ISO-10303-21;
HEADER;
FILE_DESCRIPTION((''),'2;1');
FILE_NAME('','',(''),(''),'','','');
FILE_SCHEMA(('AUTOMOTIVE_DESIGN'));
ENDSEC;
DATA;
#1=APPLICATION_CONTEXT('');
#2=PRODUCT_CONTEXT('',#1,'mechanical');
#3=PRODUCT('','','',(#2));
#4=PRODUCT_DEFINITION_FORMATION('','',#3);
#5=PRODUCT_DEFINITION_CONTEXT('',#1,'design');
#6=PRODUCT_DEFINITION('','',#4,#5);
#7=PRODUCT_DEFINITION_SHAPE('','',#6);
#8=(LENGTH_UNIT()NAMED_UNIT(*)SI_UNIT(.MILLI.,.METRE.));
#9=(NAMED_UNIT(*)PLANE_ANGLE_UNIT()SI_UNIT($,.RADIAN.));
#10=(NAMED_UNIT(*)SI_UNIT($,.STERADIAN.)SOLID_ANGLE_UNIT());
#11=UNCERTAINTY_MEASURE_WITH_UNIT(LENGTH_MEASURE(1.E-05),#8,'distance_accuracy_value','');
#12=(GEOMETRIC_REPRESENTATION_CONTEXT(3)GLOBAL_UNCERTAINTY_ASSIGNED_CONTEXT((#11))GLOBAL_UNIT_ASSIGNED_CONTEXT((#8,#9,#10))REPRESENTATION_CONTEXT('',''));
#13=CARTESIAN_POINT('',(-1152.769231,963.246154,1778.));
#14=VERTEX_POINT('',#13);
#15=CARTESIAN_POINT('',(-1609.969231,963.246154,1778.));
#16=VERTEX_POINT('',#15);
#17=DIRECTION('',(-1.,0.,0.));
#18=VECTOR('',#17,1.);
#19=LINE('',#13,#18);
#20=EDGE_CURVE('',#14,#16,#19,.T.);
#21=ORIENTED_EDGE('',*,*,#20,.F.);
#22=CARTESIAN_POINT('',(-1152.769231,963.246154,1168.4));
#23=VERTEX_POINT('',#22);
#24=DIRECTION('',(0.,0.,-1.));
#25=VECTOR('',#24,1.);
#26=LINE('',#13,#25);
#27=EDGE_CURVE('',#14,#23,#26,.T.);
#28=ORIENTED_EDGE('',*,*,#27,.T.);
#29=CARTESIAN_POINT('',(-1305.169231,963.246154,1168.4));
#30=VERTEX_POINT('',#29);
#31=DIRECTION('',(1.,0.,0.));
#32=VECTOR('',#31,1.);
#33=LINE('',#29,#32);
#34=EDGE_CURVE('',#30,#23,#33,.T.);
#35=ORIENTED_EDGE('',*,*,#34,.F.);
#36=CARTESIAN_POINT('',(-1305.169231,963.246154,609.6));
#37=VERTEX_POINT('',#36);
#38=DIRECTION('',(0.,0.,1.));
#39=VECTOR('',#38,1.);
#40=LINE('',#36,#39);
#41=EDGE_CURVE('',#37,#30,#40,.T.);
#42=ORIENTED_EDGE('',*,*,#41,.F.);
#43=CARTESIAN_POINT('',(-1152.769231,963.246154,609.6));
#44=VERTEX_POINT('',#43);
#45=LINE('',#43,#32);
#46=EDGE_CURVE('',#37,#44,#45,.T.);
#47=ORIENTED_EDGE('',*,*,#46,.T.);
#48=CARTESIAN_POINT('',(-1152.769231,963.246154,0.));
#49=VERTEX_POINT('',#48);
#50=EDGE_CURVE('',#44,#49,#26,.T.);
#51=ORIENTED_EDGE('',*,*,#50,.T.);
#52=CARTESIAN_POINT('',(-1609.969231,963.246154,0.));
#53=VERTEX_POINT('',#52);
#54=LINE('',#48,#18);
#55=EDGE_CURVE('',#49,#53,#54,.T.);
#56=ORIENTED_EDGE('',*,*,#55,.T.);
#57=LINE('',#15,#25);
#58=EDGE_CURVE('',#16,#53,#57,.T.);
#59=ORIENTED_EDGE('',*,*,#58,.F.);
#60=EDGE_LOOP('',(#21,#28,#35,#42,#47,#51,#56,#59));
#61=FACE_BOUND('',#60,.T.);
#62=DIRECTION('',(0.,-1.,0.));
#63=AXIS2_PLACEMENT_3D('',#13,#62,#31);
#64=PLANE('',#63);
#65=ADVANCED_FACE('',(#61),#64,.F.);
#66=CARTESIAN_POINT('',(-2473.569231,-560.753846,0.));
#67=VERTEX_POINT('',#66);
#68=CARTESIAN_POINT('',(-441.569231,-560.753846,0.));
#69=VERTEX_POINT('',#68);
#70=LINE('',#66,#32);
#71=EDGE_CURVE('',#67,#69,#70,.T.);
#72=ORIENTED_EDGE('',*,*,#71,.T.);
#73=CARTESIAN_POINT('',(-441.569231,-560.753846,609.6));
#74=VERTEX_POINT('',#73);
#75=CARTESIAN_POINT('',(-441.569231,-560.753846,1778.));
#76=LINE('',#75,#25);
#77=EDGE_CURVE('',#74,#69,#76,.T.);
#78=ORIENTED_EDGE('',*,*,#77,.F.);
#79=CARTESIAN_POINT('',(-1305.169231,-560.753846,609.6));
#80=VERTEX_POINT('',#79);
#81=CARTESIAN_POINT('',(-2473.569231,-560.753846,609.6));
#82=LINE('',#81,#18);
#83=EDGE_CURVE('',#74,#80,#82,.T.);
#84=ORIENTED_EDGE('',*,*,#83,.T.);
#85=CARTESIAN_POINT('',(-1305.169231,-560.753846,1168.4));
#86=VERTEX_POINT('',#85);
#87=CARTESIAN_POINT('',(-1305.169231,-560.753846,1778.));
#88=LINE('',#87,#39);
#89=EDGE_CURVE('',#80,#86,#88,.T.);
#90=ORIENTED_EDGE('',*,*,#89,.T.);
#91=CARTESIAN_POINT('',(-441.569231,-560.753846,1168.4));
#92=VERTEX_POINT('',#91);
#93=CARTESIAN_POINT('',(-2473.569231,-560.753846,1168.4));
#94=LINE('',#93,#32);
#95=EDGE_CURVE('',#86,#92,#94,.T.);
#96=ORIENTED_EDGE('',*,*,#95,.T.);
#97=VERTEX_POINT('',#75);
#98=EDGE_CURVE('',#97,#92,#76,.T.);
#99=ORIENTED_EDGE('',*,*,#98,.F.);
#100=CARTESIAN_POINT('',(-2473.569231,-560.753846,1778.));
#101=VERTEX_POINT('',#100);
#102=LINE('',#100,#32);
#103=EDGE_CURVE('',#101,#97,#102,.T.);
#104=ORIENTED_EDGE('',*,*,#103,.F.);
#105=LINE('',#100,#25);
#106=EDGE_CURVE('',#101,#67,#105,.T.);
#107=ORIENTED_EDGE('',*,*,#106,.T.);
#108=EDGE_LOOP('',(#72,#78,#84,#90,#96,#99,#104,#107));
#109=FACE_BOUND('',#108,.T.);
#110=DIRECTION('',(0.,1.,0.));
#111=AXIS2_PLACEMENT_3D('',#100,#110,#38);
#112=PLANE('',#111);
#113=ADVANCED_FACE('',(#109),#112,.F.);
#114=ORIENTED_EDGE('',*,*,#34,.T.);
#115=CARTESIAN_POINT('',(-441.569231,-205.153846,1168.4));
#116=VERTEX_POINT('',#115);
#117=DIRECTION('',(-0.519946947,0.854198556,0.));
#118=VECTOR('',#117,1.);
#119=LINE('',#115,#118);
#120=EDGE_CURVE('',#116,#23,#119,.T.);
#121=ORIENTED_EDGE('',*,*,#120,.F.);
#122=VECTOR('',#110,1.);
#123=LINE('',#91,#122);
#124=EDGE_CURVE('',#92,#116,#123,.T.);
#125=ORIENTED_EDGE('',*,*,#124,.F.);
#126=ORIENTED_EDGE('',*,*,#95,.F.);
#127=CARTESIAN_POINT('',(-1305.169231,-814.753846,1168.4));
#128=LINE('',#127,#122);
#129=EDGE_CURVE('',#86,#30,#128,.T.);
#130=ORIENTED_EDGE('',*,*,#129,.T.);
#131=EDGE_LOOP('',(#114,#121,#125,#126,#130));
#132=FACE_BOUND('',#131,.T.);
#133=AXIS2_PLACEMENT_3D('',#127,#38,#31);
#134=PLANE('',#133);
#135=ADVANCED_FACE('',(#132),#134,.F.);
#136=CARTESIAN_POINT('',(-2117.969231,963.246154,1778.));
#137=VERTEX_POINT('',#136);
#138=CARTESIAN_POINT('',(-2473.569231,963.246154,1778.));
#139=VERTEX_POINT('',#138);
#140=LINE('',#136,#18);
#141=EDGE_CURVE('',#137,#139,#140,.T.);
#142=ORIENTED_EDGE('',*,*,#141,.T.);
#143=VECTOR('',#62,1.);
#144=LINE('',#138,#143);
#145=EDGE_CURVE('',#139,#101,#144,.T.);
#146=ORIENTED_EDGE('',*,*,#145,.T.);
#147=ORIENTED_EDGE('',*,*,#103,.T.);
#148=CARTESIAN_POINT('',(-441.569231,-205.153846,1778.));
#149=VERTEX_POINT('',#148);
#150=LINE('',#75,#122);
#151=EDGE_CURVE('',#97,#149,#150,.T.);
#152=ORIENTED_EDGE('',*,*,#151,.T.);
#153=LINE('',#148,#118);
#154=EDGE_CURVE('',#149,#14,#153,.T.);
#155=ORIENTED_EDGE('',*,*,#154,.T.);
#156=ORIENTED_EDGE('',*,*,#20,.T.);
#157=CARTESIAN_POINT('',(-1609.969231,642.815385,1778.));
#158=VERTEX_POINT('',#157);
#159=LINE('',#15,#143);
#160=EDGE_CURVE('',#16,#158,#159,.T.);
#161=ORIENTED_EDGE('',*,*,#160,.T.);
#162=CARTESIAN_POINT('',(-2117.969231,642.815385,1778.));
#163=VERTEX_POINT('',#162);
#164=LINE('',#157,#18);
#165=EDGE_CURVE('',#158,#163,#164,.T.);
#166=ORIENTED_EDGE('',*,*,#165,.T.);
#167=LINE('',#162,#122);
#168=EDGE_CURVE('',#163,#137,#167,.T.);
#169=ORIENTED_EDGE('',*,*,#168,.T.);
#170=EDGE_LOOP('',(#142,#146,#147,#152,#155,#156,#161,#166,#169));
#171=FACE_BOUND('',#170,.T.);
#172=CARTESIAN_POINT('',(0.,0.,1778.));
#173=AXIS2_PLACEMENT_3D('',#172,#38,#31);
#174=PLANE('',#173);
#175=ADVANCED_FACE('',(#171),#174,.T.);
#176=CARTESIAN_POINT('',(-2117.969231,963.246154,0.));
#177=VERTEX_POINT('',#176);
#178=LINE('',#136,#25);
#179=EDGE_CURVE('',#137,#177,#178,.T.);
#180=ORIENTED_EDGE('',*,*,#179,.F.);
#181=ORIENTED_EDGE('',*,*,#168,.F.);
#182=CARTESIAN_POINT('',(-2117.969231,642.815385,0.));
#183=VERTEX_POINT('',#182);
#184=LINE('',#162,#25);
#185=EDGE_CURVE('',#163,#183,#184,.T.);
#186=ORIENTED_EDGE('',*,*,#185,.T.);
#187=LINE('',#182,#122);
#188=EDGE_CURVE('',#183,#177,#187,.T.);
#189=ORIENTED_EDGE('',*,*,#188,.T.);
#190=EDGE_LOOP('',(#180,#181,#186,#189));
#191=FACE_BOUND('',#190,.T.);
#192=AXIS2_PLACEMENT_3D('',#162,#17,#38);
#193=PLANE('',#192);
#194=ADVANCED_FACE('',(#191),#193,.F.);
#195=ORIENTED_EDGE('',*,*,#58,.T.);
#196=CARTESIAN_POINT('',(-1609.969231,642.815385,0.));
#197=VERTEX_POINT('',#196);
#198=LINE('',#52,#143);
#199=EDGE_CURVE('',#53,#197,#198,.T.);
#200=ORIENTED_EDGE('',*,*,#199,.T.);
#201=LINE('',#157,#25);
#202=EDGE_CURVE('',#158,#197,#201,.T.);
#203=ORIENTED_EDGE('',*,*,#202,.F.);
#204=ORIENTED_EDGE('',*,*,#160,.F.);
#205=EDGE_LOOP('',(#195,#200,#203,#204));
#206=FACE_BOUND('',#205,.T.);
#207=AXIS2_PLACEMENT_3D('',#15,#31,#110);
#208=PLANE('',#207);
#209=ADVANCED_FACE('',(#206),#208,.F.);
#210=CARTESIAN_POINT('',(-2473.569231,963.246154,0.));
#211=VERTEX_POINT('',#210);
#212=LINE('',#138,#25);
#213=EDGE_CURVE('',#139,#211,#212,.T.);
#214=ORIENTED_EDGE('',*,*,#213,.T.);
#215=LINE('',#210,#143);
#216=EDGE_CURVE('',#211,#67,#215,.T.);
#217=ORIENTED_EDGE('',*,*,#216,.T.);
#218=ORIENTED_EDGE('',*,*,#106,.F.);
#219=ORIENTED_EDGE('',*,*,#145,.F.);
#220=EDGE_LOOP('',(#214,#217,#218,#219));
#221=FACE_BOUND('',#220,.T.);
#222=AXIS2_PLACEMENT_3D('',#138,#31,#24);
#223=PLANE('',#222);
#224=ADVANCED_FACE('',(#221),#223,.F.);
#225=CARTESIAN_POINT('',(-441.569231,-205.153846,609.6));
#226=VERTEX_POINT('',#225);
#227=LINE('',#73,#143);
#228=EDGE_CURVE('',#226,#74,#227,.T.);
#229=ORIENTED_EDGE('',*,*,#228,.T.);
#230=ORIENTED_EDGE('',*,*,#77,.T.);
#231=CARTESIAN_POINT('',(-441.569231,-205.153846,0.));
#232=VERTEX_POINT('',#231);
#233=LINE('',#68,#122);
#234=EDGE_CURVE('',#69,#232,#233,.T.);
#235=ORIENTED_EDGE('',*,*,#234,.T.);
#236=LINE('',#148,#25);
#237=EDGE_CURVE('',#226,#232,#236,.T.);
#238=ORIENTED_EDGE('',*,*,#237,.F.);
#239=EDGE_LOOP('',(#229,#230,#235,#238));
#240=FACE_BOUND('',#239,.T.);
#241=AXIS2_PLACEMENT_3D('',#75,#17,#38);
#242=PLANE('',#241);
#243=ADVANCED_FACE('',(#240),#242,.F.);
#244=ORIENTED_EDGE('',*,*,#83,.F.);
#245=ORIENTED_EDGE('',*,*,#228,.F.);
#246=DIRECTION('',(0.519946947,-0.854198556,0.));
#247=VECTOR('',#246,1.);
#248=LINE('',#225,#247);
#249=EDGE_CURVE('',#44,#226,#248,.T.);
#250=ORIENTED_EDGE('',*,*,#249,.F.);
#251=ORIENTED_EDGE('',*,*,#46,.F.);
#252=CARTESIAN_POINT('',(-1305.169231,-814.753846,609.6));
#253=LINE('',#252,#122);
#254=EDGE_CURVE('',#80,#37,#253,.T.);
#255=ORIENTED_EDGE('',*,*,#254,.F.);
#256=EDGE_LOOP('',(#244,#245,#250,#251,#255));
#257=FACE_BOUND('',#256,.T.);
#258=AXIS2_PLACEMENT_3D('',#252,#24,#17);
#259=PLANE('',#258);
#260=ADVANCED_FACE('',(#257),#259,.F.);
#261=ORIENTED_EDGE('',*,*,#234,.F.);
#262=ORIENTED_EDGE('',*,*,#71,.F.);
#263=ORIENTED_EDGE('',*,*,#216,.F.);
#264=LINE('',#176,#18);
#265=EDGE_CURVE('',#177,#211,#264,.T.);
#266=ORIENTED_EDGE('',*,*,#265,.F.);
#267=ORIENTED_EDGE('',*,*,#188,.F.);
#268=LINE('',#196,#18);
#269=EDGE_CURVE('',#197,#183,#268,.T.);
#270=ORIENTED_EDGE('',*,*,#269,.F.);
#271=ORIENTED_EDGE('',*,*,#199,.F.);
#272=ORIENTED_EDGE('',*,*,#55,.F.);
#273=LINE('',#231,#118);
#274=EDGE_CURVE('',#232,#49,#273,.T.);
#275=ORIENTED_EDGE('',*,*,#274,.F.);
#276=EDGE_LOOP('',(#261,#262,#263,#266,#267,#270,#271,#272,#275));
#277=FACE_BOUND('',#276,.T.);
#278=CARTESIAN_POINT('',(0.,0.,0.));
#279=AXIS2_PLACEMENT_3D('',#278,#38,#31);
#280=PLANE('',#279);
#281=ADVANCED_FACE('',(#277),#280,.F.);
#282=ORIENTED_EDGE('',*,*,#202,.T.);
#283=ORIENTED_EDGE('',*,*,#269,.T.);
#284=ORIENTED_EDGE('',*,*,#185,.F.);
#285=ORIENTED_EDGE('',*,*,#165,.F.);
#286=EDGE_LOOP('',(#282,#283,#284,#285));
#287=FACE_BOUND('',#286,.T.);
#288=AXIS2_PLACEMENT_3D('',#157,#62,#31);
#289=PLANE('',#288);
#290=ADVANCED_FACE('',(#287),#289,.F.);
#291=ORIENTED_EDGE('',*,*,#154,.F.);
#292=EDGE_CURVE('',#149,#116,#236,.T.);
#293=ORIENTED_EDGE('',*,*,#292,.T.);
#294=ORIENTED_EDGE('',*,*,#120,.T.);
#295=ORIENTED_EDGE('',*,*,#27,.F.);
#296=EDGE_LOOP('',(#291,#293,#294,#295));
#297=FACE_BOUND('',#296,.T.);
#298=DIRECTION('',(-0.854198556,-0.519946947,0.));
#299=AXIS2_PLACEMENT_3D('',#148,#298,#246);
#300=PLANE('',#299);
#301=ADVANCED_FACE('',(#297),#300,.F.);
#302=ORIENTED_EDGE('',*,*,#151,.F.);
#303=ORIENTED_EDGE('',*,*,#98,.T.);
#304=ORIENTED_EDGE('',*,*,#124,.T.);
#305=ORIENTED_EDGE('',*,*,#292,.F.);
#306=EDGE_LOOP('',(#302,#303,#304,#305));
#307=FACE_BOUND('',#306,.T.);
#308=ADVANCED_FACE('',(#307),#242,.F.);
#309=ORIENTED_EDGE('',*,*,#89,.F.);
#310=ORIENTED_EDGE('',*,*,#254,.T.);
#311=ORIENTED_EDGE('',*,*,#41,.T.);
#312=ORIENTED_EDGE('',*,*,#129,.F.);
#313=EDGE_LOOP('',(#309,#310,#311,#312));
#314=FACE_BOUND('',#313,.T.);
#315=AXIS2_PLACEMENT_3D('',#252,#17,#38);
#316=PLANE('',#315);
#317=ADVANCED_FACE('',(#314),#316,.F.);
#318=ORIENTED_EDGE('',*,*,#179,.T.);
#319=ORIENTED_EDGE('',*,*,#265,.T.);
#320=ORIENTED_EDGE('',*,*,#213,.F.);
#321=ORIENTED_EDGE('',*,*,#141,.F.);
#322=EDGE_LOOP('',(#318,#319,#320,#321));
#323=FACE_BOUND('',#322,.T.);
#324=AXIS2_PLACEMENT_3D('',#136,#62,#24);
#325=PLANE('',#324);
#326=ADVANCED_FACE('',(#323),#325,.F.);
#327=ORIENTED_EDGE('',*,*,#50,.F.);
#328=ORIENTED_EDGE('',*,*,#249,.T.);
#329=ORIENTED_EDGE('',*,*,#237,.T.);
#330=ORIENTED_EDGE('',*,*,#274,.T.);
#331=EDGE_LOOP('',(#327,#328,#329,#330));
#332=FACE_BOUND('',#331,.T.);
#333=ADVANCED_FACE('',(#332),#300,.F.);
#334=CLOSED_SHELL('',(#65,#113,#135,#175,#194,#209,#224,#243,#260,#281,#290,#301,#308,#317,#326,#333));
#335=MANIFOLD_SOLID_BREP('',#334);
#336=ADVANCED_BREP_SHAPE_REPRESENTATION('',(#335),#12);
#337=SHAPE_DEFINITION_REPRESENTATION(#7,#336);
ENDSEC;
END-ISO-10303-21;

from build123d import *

# Parameters (mm, degrees)
Y_KSEKLIK_EKSTR_ZYON1_DEPTH = 1778
IZIM2_W                     = 1047.214946636
IZIM2_H                     = 558.8
KES_EKSTR_ZYON2_DEPTH       = 1778


with BuildPart() as part:
    # Çizim1 → Yükseklik-Ekstrüzyon1 (new body)
    with BuildSketch(Plane.XY):
        Polygon((-2473.569230769, 963.246153846), (-2473.569230769, -560.753846154), (-441.569230769, -560.753846154), (-441.569230769, -205.153846154), (-1152.769230769, 963.246153846), (-1609.969230769, 963.246153846), (-1609.969230769, 642.815384615), (-2117.969230769, 642.815384615), (-2117.969230769, 963.246153846), align=None)
    extrude(amount=Y_KSEKLIK_EKSTR_ZYON1_DEPTH)

    # Çizim2 → Kes-Ekstrüzyon2 (cut)
    with BuildSketch(Plane(origin=(0, 963.246153846, 0), x_dir=(1, 0, 0), z_dir=(0, 1, 0))):
        with Locations((-781.561757451, -889)):
            Rectangle(IZIM2_W, IZIM2_H)
    extrude(amount=-KES_EKSTR_ZYON2_DEPTH, mode=Mode.SUBTRACT)


solid = part.part
